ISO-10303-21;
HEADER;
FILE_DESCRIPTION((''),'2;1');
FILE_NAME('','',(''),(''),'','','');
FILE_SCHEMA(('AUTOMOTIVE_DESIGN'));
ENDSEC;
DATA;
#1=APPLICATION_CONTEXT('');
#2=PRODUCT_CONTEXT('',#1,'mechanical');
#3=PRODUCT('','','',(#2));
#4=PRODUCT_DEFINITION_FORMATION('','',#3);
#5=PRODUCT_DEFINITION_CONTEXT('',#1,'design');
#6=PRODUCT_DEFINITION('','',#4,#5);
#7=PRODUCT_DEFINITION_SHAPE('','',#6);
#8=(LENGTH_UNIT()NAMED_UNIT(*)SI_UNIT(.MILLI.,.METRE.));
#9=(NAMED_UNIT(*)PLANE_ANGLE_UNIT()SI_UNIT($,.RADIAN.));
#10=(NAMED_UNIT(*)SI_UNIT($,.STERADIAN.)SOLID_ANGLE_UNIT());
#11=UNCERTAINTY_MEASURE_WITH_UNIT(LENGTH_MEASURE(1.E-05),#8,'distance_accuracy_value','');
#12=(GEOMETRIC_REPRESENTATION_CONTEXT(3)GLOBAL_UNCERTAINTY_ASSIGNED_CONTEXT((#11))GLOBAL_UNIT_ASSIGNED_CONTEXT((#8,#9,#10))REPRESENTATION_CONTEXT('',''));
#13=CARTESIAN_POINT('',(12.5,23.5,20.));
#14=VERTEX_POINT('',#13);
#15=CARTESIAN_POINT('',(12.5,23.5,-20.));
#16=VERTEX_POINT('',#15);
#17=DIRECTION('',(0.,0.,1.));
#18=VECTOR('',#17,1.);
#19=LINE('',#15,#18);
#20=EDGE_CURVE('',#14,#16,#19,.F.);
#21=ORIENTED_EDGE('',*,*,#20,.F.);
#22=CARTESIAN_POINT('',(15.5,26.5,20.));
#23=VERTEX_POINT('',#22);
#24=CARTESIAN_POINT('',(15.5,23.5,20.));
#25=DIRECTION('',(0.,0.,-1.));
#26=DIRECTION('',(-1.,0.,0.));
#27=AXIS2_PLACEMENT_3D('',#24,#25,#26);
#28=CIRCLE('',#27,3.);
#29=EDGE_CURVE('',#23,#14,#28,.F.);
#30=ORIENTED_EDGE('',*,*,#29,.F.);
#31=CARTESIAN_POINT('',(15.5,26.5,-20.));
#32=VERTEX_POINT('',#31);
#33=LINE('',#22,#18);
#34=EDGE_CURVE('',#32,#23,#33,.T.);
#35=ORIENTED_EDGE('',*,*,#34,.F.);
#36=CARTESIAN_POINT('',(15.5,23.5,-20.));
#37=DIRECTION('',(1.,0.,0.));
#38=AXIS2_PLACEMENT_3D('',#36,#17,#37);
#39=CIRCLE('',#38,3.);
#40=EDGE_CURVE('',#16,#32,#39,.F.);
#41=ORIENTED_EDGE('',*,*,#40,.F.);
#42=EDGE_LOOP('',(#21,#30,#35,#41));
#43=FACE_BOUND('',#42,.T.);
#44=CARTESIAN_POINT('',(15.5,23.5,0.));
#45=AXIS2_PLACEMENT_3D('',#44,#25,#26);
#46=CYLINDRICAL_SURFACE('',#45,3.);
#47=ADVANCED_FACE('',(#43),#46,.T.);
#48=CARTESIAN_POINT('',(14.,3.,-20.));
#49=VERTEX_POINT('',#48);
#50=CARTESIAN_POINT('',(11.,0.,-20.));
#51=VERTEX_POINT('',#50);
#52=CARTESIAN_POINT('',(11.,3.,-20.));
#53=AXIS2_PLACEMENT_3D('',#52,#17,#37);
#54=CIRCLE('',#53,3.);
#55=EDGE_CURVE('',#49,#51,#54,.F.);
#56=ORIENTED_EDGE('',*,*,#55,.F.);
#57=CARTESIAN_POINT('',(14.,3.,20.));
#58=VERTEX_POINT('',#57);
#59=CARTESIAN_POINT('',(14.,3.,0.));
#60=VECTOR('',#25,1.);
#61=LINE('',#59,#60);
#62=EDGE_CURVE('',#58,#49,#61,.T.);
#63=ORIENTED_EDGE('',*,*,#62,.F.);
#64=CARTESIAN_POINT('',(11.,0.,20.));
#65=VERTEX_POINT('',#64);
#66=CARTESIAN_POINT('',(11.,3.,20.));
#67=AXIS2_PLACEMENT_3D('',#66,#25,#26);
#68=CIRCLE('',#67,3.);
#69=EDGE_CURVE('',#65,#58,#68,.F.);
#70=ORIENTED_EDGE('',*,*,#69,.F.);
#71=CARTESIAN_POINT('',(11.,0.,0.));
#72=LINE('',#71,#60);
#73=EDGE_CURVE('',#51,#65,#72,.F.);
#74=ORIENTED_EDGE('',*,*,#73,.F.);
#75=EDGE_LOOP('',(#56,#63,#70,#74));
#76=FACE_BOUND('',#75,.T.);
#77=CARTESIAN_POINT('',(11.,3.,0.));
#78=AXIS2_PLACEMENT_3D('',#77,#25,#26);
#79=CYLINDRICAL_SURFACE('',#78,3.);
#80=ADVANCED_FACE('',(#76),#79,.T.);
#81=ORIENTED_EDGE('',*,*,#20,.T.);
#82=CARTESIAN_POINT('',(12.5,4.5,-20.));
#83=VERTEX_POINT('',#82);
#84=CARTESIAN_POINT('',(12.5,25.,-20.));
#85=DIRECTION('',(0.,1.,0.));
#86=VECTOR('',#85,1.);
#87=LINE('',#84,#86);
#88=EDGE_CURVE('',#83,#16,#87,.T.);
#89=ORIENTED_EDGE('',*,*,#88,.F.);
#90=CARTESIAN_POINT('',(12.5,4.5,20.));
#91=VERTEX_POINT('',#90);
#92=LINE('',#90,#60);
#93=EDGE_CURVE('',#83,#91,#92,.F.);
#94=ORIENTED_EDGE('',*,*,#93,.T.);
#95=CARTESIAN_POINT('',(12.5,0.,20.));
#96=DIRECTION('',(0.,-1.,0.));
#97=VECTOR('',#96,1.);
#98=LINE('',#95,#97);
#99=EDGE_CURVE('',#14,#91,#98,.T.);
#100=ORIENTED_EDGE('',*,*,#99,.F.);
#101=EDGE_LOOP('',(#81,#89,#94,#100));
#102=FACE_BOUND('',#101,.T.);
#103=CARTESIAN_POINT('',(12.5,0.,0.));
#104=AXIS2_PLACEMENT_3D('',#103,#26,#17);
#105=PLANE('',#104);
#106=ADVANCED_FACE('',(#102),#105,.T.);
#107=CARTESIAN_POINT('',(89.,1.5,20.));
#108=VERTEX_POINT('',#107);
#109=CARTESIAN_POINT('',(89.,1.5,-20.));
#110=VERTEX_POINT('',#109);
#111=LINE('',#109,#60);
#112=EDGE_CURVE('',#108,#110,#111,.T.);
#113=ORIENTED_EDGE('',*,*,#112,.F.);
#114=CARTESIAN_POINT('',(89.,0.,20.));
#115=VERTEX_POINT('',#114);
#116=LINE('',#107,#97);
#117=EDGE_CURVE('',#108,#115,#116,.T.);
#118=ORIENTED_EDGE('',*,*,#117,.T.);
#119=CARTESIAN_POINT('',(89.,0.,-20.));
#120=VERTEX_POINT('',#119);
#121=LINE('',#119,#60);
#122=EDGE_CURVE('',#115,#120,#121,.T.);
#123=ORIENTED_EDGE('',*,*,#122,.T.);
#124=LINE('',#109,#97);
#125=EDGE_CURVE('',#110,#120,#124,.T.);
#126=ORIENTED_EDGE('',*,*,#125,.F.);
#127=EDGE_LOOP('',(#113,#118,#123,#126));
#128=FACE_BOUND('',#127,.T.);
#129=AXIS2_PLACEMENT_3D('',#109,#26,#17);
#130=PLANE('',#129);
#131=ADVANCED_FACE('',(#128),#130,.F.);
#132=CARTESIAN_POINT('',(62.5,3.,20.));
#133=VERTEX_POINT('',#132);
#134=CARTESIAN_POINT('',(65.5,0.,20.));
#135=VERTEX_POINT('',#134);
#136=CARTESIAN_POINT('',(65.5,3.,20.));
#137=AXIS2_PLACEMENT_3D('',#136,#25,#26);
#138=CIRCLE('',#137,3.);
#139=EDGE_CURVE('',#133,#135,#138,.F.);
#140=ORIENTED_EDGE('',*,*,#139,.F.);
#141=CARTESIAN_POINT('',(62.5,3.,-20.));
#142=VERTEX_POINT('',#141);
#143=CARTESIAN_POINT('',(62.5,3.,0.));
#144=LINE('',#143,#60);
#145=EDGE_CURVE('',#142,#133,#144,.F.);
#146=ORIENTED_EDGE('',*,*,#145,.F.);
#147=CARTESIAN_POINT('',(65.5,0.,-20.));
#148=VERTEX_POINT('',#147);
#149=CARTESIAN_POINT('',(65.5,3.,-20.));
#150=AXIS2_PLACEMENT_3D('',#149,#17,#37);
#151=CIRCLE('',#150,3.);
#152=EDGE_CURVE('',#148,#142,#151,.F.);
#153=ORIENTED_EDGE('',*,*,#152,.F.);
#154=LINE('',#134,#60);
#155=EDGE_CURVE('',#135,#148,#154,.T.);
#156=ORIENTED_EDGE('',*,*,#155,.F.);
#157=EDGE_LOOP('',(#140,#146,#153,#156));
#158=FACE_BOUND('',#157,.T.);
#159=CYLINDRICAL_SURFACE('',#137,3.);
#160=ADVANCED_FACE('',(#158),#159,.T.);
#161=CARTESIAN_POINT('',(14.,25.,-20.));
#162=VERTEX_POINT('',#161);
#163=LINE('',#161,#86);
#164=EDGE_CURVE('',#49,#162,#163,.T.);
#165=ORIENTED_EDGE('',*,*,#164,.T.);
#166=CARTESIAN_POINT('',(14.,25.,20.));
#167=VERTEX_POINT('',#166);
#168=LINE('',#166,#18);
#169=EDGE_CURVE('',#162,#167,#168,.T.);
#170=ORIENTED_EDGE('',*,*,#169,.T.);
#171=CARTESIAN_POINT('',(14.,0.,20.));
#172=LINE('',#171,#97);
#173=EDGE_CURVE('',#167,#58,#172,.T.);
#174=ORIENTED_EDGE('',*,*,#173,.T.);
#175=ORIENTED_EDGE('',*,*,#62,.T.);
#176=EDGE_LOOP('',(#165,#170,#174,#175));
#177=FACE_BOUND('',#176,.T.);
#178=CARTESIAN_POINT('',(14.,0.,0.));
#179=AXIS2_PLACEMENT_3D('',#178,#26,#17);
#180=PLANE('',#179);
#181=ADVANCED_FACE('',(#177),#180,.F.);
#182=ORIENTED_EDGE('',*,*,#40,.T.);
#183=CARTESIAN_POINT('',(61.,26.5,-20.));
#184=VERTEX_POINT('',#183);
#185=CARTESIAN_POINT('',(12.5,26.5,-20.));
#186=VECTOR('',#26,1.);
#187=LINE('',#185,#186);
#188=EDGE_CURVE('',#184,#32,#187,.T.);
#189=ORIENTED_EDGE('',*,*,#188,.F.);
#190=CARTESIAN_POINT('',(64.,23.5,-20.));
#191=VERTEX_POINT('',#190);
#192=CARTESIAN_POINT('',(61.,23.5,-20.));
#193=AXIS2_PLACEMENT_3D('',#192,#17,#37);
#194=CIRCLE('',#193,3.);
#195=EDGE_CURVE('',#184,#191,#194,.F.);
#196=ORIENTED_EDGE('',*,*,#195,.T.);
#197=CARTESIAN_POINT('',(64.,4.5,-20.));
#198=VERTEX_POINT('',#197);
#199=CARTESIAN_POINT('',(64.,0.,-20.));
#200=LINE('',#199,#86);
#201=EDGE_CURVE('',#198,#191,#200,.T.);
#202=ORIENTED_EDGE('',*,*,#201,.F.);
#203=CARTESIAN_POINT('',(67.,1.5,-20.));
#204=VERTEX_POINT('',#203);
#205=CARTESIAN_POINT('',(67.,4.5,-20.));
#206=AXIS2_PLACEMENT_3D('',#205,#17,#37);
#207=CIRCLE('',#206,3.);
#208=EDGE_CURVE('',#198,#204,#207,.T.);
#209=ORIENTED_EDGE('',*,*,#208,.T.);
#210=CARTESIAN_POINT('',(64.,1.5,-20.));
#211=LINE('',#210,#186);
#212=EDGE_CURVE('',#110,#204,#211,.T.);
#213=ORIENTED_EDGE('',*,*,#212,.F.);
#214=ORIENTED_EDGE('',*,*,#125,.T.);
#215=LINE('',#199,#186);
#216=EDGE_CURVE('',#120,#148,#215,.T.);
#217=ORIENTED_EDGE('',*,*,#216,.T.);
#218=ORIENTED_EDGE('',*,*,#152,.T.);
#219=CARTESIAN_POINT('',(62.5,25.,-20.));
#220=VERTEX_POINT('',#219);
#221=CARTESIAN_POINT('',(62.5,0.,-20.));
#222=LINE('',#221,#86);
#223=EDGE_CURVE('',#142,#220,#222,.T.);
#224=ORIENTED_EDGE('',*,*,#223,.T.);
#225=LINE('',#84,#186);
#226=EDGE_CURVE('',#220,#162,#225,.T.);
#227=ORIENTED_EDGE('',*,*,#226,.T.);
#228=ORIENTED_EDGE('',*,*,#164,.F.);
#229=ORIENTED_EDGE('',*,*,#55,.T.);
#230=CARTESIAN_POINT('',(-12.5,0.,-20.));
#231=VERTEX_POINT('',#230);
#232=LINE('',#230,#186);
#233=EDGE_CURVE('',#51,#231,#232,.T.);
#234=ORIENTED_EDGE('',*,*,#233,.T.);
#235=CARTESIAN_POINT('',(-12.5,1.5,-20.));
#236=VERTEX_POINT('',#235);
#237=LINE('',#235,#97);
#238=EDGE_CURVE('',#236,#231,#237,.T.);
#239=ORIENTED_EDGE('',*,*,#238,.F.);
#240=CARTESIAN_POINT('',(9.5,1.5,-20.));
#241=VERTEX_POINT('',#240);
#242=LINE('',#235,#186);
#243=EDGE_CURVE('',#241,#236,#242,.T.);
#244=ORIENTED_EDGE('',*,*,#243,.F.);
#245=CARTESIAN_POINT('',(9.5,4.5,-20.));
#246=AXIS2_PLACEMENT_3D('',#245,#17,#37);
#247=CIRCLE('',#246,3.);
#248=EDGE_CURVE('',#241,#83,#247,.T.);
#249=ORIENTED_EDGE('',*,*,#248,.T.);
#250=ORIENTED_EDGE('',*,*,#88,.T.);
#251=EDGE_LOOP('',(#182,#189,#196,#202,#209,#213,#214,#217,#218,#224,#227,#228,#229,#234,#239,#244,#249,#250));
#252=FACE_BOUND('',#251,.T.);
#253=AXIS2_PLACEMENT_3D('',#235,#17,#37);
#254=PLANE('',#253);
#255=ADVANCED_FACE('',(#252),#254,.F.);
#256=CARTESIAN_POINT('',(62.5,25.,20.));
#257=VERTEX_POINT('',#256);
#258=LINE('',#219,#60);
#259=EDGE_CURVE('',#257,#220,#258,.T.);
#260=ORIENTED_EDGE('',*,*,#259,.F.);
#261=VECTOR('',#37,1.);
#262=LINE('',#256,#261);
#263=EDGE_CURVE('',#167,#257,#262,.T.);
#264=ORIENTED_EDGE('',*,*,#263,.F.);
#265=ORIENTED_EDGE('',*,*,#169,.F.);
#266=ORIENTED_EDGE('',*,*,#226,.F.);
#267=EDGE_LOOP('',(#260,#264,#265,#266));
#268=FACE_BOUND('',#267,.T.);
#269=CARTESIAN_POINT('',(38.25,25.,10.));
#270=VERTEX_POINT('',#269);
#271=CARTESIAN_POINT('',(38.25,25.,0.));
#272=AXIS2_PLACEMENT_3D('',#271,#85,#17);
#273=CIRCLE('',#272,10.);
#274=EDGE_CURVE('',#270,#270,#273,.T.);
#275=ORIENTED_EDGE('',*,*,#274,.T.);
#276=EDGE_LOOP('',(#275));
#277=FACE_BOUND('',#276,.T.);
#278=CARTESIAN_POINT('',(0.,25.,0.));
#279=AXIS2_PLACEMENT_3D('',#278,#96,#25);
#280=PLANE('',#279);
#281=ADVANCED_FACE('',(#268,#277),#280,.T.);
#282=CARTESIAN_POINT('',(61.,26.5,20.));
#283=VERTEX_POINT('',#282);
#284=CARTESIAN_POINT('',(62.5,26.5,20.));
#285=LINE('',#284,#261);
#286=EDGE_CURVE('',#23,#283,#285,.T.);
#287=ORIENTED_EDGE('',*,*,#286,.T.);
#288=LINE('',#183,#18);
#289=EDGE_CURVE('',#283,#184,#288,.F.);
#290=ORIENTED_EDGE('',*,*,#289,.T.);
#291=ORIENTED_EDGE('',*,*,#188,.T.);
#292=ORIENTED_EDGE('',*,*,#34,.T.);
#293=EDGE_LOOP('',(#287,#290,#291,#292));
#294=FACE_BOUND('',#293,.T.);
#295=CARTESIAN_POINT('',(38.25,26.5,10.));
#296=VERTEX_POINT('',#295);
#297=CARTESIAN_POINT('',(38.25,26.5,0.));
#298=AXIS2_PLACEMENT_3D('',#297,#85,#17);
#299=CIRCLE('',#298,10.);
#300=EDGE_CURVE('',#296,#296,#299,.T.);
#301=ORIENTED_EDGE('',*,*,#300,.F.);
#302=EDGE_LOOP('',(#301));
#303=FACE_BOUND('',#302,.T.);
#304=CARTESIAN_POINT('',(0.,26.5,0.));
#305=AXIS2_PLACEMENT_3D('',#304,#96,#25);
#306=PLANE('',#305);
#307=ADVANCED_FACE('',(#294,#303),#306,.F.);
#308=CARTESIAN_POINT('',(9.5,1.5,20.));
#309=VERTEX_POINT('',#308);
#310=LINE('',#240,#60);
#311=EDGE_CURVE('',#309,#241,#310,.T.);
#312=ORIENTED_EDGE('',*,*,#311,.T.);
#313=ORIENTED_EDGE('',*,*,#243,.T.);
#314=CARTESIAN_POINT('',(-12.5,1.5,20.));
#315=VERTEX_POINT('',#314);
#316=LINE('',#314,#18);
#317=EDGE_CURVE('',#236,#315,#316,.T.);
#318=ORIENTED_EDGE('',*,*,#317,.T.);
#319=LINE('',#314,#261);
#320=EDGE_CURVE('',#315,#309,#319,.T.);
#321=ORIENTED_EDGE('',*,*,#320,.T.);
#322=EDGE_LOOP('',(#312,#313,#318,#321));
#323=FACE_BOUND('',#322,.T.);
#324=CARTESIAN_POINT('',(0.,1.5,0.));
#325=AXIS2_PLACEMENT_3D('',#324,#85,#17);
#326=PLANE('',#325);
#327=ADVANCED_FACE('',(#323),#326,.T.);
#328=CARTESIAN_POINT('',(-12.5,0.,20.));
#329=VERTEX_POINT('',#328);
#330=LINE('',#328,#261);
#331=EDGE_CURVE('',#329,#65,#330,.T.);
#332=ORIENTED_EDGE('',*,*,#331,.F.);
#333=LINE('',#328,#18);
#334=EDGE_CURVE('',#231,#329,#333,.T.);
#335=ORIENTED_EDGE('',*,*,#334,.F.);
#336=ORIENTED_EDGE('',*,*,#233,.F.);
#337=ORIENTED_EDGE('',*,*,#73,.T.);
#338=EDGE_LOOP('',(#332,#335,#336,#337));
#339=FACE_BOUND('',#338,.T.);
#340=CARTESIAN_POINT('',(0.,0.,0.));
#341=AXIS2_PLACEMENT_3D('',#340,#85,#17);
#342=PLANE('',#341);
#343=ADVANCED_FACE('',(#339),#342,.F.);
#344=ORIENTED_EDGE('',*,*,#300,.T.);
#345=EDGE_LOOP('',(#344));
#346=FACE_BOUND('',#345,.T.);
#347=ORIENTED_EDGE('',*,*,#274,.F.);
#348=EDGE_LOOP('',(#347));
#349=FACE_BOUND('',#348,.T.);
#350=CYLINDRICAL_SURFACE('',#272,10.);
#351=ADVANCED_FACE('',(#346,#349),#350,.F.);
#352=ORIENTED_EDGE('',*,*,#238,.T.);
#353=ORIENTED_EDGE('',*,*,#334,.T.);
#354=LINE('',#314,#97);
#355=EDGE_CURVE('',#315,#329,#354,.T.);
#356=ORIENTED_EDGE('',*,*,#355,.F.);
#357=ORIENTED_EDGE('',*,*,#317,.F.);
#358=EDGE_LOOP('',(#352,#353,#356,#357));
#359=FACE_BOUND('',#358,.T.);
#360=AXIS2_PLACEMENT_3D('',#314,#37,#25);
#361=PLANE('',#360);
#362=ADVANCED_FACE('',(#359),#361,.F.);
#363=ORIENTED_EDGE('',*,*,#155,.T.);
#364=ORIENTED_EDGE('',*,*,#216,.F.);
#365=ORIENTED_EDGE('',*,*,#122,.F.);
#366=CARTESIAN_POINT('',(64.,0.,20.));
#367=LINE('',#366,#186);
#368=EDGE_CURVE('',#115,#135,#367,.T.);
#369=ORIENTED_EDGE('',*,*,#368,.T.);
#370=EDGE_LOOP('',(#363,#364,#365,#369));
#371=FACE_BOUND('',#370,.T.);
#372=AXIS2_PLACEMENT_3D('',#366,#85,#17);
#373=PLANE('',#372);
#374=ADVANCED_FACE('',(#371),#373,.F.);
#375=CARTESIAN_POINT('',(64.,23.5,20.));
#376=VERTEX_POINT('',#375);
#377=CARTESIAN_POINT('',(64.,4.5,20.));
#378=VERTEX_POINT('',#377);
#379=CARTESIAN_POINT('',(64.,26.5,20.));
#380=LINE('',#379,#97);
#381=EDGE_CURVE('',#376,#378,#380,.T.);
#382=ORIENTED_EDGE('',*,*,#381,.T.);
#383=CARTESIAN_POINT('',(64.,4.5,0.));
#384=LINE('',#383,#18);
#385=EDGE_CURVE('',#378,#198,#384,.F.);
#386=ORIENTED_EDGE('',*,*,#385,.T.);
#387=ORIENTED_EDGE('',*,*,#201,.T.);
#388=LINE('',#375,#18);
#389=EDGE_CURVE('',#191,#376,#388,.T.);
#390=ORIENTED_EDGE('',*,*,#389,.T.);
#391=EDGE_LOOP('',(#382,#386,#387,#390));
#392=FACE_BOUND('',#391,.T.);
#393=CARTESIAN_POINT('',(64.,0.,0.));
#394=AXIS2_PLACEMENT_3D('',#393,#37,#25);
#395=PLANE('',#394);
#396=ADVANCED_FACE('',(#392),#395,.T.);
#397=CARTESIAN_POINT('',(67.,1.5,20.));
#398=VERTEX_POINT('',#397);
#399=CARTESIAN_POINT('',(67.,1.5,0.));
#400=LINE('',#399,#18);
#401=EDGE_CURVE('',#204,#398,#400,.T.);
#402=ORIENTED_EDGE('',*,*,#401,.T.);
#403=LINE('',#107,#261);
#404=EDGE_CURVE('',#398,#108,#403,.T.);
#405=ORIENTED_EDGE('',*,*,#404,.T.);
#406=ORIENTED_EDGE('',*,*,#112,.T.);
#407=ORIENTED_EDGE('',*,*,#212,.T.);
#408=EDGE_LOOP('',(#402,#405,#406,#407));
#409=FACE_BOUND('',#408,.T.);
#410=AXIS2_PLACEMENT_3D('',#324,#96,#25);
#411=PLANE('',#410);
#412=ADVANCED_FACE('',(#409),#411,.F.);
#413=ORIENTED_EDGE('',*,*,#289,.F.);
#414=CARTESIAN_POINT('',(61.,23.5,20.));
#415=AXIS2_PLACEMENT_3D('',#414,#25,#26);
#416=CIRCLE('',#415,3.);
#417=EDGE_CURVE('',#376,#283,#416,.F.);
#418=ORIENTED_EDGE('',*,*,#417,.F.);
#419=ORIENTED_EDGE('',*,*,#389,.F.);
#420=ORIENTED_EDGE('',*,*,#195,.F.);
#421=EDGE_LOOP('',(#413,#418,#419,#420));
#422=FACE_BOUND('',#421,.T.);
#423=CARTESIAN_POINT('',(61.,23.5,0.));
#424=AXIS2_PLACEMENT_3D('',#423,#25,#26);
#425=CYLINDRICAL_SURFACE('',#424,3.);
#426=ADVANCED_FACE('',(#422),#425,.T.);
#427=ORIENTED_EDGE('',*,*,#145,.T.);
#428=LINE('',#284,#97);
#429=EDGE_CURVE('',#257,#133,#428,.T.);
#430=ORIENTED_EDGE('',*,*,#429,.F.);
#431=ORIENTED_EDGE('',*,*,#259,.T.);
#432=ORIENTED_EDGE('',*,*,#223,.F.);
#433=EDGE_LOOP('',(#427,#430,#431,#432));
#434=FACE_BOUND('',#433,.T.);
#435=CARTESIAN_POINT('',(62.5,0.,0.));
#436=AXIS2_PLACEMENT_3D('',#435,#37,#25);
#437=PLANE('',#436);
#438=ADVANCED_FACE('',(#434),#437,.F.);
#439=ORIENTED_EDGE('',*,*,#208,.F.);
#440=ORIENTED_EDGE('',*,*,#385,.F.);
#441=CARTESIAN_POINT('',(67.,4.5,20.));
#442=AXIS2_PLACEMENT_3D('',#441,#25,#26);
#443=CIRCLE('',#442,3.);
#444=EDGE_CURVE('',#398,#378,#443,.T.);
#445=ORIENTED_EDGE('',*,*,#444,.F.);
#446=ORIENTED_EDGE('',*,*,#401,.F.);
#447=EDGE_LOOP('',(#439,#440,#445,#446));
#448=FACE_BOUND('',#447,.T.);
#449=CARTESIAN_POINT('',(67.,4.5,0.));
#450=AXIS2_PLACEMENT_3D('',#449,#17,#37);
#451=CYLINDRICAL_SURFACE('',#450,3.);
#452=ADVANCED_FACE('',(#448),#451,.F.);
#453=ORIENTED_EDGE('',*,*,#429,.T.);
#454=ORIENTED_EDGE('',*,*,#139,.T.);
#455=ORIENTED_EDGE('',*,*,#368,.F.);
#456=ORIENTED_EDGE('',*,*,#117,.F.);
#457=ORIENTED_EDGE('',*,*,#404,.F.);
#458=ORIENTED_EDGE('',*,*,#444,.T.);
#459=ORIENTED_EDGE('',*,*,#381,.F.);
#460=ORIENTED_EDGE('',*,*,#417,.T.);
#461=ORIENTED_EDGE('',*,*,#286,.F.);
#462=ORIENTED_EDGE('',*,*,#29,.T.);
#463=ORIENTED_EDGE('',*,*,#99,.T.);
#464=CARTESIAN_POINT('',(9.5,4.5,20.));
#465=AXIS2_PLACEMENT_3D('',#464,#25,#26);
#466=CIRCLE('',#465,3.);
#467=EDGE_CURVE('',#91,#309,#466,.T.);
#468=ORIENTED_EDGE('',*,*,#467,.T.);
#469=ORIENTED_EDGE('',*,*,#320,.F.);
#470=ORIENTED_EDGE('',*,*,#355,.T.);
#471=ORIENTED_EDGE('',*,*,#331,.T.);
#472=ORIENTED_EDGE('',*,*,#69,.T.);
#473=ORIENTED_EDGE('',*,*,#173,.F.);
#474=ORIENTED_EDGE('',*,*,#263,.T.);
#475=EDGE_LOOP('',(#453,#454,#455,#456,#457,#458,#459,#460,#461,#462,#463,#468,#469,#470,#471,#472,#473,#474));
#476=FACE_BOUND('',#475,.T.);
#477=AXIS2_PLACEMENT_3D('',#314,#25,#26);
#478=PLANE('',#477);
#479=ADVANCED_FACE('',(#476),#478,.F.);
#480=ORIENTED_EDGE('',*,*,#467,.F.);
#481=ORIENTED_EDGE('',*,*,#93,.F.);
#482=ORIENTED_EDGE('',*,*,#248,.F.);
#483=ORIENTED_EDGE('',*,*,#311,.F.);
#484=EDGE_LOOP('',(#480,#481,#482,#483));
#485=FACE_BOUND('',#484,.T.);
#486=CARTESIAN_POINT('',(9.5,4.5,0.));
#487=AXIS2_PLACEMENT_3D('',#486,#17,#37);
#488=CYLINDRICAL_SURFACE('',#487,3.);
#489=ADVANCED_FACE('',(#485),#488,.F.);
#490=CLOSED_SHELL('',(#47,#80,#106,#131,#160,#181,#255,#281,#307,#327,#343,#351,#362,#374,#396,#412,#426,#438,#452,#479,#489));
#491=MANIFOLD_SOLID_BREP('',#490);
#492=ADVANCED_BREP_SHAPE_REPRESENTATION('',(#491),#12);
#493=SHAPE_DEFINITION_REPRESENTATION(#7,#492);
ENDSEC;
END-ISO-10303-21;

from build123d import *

# Parameters (mm, degrees)
SKETCH1_W           = 25
SKETCH1_H           = 40
BOSS_EXTRUDE1_DEPTH = 1.5
SKETCH5_W           = 40
SKETCH5_H           = 25
BOSS_EXTRUDE3_DEPTH = 1.5
SKETCH6_W           = 50
SKETCH6_H           = 40
BOSS_EXTRUDE4_DEPTH = 1.5
SKETCH7_W           = 40
SKETCH7_H           = 26.5
BOSS_EXTRUDE5_DEPTH = 1.5
SKETCH9_W           = 25
SKETCH9_H           = 40
BOSS_EXTRUDE6_DEPTH = 1.5
FILLET2_R           = 3
SKETCH10_R          = 10
CUT_EXTRUDE1_DEPTH  = 1.5
FILLET3_R           = 3


with BuildPart() as part:
    # Sketch1 → Boss-Extrude1 (new body)
    with BuildSketch(Plane(origin=(0, 0, 0), x_dir=(1, 0, 0), z_dir=(0, 1, 0))):
        Rectangle(SKETCH1_W, SKETCH1_H)
    extrude(amount=BOSS_EXTRUDE1_DEPTH)

    # Sketch5 → Boss-Extrude3 (add)
    with BuildSketch(Plane(origin=(12.5, 0, 0), x_dir=(0, 0, -1), z_dir=(1, 0, 0))):
        with Locations((0, 12.5)):
            Rectangle(SKETCH5_W, SKETCH5_H)
    extrude(amount=BOSS_EXTRUDE3_DEPTH)

    # Sketch6 → Boss-Extrude4 (add)
    with BuildSketch(Plane(origin=(0, 25, 0), x_dir=(1, 0, 0), z_dir=(0, 1, 0))):
        with Locations((37.5, 0)):
            Rectangle(SKETCH6_W, SKETCH6_H)
    extrude(amount=BOSS_EXTRUDE4_DEPTH)

    # Sketch7 → Boss-Extrude5 (add)
    with BuildSketch(Plane(origin=(62.5, 0, 0), x_dir=(0, 0, -1), z_dir=(1, 0, 0))):
        with Locations((0, 13.25)):
            Rectangle(SKETCH7_W, SKETCH7_H)
    extrude(amount=BOSS_EXTRUDE5_DEPTH)

    # Sketch9 → Boss-Extrude6 (add)
    with BuildSketch(Plane(origin=(0, 0, 0), x_dir=(1, 0, 0), z_dir=(0, 1, 0))):
        with Locations((76.5, 0)):
            Rectangle(SKETCH9_W, SKETCH9_H)
    extrude(amount=BOSS_EXTRUDE6_DEPTH)

    # Fillet2
    fillet2_edges = [part.edges().sort_by_distance(p)[0] for p in [
        (14, 0, 0),
        (12.5, 26.5, 0),
        (62.5, 0, 0),
        (64, 26.5, 0),
    ]]
    fillet(fillet2_edges, radius=FILLET2_R)

    # Sketch10 → Cut-Extrude1 (cut)
    with BuildSketch(Plane(origin=(0, 26.5, 0), x_dir=(1, 0, 0), z_dir=(0, 1, 0))):
        with Locations(Location((38.25, 0, 0), (0, 0, 270))):
            Circle(SKETCH10_R)
    extrude(amount=-CUT_EXTRUDE1_DEPTH, mode=Mode.SUBTRACT)

    # Fillet3
    fillet3_edges = [part.edges().sort_by_distance(p)[0] for p in [
        (12.5, 1.5, 0),
        (64, 1.5, 0),
    ]]
    fillet(fillet3_edges, radius=FILLET3_R)


solid = part.part
